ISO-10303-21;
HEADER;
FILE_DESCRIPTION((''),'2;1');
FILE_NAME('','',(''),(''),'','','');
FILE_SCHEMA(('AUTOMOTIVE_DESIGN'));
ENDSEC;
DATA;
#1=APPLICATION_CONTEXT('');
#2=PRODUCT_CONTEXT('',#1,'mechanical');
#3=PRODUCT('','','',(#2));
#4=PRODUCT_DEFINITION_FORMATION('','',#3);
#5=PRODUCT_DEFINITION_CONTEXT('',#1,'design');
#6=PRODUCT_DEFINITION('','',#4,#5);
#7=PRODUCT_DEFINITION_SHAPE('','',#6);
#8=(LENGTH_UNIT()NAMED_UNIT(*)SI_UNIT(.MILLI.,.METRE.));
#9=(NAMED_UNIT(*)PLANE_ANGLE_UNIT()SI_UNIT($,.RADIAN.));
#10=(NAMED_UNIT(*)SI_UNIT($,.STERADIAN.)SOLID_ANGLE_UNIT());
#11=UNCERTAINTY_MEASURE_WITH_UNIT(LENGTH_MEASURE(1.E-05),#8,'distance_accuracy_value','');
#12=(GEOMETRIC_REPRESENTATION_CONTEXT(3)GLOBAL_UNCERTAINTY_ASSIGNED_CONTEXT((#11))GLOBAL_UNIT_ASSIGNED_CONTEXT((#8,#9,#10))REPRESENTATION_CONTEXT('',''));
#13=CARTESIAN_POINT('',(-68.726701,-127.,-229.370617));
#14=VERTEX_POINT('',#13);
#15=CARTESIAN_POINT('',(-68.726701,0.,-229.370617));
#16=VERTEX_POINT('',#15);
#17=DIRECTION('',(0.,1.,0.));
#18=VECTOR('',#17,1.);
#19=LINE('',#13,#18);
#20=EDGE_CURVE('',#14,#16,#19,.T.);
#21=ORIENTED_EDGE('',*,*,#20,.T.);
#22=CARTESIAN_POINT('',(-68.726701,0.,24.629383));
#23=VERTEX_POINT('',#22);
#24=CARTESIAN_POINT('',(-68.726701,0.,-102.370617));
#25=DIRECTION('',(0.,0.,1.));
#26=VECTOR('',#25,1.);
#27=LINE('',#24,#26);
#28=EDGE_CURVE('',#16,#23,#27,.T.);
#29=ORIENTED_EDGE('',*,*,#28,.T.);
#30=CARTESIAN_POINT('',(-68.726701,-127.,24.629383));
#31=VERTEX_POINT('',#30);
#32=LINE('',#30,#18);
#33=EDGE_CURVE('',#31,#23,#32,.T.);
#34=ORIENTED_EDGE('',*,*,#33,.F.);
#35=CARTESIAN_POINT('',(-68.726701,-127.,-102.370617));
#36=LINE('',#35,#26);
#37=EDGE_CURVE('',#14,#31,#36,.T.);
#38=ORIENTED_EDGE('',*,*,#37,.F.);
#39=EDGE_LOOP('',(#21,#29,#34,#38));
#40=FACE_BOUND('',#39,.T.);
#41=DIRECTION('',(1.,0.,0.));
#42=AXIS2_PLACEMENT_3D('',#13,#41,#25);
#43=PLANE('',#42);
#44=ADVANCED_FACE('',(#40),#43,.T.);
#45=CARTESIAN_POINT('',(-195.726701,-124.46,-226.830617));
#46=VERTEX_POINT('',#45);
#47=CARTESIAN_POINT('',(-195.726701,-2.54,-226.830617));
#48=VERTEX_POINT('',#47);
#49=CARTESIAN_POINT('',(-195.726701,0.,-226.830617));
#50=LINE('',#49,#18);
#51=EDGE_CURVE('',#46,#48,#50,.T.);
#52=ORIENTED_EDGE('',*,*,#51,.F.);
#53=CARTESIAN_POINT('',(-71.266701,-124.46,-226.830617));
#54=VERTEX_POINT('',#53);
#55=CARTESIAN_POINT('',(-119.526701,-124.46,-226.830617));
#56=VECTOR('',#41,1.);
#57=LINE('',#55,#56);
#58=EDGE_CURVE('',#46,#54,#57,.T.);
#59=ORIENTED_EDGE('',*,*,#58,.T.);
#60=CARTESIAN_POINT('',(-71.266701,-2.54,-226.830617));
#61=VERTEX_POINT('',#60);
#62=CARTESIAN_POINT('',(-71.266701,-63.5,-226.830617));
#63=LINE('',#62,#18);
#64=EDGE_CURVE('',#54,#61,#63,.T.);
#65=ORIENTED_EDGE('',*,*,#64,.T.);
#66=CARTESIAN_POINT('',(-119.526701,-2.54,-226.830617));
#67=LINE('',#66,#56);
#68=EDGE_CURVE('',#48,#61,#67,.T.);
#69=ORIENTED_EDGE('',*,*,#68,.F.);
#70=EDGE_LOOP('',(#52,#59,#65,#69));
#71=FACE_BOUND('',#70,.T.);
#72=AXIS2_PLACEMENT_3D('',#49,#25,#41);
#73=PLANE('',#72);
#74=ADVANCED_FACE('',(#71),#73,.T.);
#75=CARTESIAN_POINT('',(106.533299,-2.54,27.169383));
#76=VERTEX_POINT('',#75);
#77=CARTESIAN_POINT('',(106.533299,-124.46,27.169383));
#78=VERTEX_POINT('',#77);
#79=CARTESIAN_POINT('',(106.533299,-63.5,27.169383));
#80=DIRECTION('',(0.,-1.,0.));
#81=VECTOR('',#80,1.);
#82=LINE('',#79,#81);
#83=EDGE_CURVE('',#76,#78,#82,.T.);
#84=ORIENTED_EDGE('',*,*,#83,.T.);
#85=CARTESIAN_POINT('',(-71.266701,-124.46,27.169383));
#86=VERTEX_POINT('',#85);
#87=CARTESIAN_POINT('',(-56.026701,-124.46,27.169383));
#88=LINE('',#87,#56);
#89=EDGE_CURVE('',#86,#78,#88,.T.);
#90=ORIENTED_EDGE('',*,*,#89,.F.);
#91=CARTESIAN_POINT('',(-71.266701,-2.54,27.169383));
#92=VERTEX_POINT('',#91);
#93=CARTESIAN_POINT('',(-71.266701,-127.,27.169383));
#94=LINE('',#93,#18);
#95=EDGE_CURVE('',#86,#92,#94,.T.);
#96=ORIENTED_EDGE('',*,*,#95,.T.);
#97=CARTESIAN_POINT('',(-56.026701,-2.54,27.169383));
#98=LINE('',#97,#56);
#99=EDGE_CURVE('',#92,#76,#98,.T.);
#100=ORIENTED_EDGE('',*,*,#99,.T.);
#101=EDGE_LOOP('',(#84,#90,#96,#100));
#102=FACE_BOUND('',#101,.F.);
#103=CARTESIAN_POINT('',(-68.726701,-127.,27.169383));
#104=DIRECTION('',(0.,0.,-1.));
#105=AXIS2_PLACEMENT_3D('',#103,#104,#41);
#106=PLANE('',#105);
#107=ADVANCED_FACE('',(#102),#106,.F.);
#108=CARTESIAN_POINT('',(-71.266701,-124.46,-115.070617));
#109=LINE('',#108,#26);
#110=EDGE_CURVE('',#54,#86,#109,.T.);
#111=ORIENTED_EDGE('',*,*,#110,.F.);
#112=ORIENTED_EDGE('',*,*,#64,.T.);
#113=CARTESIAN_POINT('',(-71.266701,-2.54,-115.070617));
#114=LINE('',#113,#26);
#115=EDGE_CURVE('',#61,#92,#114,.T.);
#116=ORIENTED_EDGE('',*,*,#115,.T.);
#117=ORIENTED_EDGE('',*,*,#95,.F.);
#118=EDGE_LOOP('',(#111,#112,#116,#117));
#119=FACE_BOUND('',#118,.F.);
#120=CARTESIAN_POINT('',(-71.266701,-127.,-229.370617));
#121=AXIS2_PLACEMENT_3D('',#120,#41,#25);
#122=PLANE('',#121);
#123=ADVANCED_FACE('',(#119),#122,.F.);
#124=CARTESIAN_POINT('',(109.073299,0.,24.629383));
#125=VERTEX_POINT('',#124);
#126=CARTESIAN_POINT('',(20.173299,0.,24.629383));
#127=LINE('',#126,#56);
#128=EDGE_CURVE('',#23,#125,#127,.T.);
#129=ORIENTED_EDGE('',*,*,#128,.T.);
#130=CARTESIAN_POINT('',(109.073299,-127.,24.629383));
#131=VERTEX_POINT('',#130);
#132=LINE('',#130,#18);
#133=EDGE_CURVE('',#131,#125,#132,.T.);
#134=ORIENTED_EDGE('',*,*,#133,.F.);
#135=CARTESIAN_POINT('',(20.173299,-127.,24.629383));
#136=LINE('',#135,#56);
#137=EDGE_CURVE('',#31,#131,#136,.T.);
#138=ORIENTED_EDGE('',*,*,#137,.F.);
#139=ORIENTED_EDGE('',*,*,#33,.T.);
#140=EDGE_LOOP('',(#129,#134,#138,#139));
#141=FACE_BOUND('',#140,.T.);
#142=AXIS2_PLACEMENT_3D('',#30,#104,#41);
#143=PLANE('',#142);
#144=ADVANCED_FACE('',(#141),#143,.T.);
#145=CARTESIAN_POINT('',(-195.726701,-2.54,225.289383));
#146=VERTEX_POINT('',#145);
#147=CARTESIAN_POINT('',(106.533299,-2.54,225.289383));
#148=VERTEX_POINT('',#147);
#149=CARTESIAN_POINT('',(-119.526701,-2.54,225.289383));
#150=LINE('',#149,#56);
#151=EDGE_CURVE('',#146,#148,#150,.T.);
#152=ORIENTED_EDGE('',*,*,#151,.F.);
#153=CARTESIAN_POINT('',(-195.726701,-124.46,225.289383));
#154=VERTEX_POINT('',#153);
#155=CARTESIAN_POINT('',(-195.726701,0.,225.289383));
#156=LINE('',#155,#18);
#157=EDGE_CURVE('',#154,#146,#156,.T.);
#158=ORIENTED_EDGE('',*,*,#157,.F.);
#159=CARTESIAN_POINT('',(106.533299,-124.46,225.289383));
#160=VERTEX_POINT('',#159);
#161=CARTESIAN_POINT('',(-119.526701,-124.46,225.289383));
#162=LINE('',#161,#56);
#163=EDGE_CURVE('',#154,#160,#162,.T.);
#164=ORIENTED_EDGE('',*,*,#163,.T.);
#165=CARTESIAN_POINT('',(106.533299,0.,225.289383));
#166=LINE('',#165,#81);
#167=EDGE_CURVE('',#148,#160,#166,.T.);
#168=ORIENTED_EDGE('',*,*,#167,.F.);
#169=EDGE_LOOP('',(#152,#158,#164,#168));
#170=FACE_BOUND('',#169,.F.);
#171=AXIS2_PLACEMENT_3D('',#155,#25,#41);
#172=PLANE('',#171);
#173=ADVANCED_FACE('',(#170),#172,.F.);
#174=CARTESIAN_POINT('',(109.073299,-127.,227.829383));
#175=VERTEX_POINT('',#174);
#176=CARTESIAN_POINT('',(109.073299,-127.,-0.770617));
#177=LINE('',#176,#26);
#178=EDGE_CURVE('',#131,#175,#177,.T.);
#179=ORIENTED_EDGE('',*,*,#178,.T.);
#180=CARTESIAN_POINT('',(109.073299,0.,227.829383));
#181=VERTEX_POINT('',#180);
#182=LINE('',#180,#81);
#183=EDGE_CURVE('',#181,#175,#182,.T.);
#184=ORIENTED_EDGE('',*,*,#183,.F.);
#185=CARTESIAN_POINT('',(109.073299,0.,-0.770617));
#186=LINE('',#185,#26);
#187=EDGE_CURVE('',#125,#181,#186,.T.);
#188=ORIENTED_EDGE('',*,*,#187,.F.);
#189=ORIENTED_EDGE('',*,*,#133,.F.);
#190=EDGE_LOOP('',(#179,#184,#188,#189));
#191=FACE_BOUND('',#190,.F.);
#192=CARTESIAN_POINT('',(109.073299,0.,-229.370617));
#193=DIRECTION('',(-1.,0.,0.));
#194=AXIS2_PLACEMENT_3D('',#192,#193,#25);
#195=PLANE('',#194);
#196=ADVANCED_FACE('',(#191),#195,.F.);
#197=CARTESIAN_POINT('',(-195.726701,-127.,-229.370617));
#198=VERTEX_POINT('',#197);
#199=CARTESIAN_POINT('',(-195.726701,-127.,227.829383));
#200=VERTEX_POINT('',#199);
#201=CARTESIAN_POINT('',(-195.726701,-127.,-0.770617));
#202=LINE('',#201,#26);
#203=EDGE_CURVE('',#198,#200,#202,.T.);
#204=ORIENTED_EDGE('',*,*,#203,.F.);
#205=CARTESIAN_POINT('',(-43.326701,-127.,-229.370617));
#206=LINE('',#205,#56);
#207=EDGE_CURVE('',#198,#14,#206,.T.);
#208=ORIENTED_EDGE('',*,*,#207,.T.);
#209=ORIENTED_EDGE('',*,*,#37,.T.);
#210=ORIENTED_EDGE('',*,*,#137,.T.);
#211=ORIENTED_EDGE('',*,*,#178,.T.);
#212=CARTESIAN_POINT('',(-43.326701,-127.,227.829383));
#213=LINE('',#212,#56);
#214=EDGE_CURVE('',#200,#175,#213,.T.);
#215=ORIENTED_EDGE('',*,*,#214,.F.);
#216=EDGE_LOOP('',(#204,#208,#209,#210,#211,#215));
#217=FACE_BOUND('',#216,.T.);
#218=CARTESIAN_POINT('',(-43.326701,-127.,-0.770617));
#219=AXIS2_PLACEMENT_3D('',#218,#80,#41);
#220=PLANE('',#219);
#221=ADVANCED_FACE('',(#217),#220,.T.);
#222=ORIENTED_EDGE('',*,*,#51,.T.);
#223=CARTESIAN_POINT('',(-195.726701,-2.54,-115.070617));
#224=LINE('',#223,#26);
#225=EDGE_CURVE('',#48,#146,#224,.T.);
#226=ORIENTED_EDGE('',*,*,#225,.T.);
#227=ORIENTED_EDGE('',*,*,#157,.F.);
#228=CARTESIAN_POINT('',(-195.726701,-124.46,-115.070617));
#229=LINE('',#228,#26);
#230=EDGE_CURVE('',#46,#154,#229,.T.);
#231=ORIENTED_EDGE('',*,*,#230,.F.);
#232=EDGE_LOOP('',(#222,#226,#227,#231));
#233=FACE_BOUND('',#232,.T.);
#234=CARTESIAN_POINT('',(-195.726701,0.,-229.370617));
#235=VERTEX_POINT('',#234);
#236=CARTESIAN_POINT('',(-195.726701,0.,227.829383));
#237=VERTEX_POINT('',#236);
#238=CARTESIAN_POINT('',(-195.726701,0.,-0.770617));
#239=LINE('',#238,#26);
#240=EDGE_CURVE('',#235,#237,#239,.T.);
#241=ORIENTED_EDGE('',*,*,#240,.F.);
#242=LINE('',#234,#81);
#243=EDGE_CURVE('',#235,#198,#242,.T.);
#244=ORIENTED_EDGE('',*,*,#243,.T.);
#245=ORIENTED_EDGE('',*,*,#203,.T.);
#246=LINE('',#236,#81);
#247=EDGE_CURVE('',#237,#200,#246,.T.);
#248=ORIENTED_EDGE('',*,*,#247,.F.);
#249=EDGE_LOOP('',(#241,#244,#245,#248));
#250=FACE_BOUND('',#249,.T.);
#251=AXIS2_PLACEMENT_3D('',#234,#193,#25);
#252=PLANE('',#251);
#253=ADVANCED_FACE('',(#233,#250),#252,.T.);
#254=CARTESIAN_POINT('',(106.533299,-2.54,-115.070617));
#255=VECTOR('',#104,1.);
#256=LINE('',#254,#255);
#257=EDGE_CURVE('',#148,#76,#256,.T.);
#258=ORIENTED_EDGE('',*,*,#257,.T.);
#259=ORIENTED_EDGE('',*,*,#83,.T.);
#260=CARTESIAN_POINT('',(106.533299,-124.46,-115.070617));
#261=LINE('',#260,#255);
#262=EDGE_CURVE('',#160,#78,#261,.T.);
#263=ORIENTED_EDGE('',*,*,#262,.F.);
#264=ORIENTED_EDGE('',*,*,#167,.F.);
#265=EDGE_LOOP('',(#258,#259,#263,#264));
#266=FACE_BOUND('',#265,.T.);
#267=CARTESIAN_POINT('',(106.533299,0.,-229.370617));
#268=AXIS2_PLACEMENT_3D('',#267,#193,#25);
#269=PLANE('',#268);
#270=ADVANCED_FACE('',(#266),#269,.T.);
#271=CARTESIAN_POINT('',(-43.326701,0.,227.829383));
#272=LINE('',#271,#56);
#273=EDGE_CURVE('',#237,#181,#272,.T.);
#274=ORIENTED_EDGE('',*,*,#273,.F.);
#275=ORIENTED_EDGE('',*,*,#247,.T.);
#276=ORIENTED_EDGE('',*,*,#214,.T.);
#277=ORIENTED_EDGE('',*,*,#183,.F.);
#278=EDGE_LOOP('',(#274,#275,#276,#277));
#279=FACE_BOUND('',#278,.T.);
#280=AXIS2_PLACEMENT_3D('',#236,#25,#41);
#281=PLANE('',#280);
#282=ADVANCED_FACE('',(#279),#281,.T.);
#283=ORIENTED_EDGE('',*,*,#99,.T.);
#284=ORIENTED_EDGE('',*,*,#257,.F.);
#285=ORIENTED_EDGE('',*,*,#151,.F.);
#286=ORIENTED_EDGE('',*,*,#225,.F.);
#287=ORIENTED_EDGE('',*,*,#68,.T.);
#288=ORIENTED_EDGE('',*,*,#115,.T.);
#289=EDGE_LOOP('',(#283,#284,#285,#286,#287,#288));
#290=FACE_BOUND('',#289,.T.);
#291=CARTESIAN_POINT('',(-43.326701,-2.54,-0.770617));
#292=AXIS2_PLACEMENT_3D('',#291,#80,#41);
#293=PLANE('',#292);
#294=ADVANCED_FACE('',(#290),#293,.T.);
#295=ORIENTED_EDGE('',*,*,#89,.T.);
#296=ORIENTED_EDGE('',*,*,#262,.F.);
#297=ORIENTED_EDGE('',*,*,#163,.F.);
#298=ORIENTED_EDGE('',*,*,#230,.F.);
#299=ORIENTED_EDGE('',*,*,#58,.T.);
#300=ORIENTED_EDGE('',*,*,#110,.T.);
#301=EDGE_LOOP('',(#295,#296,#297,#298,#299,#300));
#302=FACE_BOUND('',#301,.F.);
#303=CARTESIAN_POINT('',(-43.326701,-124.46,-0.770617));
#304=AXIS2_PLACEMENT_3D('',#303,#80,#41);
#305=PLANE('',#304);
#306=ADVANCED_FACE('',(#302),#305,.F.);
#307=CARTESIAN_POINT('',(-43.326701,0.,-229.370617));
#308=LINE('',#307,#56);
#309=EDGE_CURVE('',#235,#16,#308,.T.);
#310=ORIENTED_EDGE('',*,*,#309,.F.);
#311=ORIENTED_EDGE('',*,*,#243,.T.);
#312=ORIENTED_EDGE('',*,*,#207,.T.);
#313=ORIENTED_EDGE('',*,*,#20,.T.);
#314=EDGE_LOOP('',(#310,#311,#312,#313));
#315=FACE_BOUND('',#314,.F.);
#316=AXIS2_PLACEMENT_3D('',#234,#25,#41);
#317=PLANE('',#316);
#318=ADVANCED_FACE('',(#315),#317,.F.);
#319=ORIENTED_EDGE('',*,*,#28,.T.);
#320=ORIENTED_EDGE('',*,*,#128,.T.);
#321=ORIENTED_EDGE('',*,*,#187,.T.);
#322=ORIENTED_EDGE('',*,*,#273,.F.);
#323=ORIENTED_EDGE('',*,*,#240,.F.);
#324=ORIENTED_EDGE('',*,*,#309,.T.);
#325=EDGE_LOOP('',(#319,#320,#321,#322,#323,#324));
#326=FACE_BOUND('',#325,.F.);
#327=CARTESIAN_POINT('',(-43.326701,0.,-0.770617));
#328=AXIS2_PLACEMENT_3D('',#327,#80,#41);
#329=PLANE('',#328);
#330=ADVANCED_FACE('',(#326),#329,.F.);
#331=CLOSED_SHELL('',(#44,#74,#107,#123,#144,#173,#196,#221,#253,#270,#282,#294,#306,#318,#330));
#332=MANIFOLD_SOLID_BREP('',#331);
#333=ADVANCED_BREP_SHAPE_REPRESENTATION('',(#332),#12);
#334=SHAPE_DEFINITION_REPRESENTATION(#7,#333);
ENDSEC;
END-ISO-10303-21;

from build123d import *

# Parameters (mm, degrees)
F0_W     = 304.8
F0_H     = 457.2
F1_DEPTH = 127
F2_W     = 177.8
F2_H     = 254
F3_DEPTH = 127
F4_T     = -2.54


with BuildPart() as f1:
    # F0 (on Front) → F1 (new body)
    with BuildSketch(Plane.XZ):
        with Locations((-43.326701003, -0.7706172764)):
            Rectangle(F0_W, F0_H)
    extrude(amount=F1_DEPTH)

    # F2 (on face) → F3 (cut)
    with BuildSketch(Plane.XZ.offset(127)):
        with Locations((20.173298997, -102.3706172764)):
            Rectangle(F2_W, F2_H)
    extrude(amount=-F3_DEPTH, mode=Mode.SUBTRACT)

    # F4
    f4_openings = [f1.faces().sort_by_distance(p)[0] for p in [
        (-195.726701, -63.5, -0.770617),
    ]]
    offset(amount=F4_T, openings=f4_openings, kind=Kind.INTERSECTION)


solid = f1.part
